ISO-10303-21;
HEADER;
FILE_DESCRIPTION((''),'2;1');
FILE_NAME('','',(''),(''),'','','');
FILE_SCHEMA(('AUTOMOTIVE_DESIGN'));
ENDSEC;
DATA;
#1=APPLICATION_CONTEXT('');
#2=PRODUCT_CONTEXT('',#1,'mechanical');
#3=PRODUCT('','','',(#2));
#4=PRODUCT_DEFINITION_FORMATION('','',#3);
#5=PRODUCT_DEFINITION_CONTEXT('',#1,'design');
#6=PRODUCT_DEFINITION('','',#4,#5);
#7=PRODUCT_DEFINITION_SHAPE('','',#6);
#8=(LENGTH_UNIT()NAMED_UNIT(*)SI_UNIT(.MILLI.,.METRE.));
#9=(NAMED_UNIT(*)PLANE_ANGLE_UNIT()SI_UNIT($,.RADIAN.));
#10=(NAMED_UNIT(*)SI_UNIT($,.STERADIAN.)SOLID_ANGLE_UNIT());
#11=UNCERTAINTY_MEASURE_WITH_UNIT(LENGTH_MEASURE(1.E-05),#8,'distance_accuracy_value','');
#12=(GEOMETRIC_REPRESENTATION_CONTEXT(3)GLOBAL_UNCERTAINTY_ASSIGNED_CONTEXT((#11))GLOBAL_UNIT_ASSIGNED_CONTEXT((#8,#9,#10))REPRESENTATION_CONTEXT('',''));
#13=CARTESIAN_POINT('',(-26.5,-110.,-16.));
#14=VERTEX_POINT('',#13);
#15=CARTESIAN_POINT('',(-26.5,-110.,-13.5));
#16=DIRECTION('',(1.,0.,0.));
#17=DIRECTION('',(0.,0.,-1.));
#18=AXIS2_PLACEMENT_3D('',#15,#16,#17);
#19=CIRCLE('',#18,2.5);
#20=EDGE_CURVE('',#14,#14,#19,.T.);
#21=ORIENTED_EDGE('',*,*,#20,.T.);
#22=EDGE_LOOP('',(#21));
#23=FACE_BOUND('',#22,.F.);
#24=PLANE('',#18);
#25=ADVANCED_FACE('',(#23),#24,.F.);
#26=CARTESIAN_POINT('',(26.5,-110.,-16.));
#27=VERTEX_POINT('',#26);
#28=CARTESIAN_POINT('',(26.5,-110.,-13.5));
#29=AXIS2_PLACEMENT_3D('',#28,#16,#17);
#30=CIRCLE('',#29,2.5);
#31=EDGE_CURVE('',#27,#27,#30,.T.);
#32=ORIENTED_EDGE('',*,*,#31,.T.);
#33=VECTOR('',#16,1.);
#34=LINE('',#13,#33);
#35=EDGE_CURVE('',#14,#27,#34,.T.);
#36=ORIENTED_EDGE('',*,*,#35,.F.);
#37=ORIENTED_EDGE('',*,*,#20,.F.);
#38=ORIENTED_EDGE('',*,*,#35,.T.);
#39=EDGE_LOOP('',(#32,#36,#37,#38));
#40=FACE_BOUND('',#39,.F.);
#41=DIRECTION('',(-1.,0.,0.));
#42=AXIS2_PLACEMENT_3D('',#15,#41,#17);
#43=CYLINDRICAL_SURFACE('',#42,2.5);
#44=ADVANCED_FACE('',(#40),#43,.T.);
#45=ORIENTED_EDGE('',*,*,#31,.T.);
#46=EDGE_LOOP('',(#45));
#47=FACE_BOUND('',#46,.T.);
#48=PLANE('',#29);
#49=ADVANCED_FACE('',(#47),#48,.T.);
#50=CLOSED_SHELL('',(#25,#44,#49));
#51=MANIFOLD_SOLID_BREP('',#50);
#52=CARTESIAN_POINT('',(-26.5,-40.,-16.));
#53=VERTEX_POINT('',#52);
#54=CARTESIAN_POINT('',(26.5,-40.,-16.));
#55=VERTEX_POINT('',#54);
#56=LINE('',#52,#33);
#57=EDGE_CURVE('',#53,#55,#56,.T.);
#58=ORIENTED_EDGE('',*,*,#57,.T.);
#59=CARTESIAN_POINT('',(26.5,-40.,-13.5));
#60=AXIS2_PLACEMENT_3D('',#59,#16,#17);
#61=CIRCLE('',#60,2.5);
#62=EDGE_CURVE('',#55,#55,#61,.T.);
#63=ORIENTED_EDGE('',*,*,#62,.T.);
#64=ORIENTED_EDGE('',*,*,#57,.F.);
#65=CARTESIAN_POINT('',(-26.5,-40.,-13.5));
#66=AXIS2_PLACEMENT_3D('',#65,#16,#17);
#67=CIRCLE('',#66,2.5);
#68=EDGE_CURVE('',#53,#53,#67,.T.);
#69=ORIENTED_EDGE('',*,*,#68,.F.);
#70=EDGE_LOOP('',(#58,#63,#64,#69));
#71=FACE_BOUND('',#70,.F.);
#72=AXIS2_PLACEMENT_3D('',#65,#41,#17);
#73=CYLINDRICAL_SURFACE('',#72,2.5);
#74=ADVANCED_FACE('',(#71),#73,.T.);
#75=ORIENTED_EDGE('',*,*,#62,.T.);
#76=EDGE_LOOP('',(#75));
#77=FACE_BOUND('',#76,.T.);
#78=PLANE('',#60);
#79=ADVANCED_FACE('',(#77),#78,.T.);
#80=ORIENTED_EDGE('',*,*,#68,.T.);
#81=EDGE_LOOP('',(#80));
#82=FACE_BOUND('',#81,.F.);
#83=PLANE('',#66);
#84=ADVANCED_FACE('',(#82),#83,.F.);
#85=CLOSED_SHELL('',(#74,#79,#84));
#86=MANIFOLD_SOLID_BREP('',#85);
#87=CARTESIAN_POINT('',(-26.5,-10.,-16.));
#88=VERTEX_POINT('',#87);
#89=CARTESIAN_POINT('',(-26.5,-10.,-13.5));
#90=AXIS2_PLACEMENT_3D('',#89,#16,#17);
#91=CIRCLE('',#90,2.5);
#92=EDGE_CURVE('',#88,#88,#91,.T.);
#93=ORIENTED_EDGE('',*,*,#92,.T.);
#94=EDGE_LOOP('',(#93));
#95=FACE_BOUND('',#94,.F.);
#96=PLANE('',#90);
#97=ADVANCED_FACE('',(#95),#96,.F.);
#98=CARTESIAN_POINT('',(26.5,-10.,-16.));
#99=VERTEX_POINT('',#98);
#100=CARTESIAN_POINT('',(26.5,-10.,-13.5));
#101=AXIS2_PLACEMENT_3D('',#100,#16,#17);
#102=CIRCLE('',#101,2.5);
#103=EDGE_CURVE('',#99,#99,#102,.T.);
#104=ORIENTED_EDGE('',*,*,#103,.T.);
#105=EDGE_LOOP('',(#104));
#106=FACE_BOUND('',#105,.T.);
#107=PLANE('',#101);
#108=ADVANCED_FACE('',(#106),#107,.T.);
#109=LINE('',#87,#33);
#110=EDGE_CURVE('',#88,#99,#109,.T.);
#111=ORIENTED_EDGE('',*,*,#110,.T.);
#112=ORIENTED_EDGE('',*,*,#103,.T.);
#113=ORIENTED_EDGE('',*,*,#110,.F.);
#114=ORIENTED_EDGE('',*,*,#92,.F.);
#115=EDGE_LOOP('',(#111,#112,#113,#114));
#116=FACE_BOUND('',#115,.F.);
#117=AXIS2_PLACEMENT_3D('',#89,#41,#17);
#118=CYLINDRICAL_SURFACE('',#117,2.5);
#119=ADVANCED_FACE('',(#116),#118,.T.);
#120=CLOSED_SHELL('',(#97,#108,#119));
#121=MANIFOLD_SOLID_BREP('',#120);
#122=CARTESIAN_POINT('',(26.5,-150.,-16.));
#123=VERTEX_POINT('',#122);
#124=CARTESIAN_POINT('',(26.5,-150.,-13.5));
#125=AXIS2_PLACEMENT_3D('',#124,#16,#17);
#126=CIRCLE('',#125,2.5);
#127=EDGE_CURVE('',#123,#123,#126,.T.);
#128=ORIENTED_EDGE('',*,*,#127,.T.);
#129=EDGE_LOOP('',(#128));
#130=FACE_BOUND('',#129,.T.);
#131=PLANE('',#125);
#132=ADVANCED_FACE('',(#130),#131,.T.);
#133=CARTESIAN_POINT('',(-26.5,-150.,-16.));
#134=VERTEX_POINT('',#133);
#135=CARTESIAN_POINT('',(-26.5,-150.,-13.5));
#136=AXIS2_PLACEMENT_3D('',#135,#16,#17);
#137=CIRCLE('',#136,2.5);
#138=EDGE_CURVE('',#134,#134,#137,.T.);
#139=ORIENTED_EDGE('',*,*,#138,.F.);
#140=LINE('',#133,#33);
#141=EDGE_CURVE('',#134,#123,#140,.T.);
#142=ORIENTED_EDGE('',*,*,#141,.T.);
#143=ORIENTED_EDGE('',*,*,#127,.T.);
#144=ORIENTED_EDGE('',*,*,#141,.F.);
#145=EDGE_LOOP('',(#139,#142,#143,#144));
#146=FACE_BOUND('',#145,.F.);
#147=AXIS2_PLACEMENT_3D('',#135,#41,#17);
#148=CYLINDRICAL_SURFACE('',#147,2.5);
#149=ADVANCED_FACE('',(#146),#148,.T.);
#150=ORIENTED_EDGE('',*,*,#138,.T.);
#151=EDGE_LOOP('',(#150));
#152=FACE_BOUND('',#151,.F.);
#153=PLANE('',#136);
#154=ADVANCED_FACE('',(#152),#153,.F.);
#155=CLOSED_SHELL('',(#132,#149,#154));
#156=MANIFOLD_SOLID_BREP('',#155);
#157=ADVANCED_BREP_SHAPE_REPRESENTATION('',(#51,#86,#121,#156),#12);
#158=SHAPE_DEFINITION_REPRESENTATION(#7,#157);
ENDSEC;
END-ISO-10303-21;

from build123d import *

# Parameters (mm, degrees)
CYLINDER062_R     = 2.5
CYLINDER062_DEPTH = 53
CYLINDER061_R     = 2.5
CYLINDER061_DEPTH = 53
CYLINDER060_R     = 2.5
CYLINDER060_DEPTH = 53
CYLINDER059_R     = 2.5
CYLINDER059_DEPTH = 53


with BuildPart() as cylinder061:
    # Cylinder062 → Cylinder062 (new body)
    with BuildSketch(Plane(origin=(-26.5, -40, -13.5), x_dir=(0, 0, -1), z_dir=(1, 0, 0))):
        Circle(CYLINDER062_R)
    extrude(amount=CYLINDER062_DEPTH)


with BuildPart() as fusion023:
    # Cylinder061 → Cylinder061 (new body)
    with BuildSketch(Plane(origin=(-26.5, -10, -13.5), x_dir=(0, 0, -1), z_dir=(1, 0, 0))):
        Circle(CYLINDER061_R)
    extrude(amount=CYLINDER061_DEPTH)

    # Fusion023: union Cylinder061
    add(cylinder061.part)


with BuildPart() as cylinder059:
    # Cylinder060 → Cylinder060 (new body)
    with BuildSketch(Plane(origin=(-26.5, -110, -13.5), x_dir=(0, 0, -1), z_dir=(1, 0, 0))):
        Circle(CYLINDER060_R)
    extrude(amount=CYLINDER060_DEPTH)


with BuildPart() as fusion024:
    # Cylinder059 → Cylinder059 (new body)
    with BuildSketch(Plane(origin=(-26.5, -150, -13.5), x_dir=(0, 0, -1), z_dir=(1, 0, 0))):
        Circle(CYLINDER059_R)
    extrude(amount=CYLINDER059_DEPTH)

    # Fusion022: union Cylinder059
    add(cylinder059.part)

    # Fusion024: union Fusion023
    add(fusion023.part)


solid = fusion024.part
